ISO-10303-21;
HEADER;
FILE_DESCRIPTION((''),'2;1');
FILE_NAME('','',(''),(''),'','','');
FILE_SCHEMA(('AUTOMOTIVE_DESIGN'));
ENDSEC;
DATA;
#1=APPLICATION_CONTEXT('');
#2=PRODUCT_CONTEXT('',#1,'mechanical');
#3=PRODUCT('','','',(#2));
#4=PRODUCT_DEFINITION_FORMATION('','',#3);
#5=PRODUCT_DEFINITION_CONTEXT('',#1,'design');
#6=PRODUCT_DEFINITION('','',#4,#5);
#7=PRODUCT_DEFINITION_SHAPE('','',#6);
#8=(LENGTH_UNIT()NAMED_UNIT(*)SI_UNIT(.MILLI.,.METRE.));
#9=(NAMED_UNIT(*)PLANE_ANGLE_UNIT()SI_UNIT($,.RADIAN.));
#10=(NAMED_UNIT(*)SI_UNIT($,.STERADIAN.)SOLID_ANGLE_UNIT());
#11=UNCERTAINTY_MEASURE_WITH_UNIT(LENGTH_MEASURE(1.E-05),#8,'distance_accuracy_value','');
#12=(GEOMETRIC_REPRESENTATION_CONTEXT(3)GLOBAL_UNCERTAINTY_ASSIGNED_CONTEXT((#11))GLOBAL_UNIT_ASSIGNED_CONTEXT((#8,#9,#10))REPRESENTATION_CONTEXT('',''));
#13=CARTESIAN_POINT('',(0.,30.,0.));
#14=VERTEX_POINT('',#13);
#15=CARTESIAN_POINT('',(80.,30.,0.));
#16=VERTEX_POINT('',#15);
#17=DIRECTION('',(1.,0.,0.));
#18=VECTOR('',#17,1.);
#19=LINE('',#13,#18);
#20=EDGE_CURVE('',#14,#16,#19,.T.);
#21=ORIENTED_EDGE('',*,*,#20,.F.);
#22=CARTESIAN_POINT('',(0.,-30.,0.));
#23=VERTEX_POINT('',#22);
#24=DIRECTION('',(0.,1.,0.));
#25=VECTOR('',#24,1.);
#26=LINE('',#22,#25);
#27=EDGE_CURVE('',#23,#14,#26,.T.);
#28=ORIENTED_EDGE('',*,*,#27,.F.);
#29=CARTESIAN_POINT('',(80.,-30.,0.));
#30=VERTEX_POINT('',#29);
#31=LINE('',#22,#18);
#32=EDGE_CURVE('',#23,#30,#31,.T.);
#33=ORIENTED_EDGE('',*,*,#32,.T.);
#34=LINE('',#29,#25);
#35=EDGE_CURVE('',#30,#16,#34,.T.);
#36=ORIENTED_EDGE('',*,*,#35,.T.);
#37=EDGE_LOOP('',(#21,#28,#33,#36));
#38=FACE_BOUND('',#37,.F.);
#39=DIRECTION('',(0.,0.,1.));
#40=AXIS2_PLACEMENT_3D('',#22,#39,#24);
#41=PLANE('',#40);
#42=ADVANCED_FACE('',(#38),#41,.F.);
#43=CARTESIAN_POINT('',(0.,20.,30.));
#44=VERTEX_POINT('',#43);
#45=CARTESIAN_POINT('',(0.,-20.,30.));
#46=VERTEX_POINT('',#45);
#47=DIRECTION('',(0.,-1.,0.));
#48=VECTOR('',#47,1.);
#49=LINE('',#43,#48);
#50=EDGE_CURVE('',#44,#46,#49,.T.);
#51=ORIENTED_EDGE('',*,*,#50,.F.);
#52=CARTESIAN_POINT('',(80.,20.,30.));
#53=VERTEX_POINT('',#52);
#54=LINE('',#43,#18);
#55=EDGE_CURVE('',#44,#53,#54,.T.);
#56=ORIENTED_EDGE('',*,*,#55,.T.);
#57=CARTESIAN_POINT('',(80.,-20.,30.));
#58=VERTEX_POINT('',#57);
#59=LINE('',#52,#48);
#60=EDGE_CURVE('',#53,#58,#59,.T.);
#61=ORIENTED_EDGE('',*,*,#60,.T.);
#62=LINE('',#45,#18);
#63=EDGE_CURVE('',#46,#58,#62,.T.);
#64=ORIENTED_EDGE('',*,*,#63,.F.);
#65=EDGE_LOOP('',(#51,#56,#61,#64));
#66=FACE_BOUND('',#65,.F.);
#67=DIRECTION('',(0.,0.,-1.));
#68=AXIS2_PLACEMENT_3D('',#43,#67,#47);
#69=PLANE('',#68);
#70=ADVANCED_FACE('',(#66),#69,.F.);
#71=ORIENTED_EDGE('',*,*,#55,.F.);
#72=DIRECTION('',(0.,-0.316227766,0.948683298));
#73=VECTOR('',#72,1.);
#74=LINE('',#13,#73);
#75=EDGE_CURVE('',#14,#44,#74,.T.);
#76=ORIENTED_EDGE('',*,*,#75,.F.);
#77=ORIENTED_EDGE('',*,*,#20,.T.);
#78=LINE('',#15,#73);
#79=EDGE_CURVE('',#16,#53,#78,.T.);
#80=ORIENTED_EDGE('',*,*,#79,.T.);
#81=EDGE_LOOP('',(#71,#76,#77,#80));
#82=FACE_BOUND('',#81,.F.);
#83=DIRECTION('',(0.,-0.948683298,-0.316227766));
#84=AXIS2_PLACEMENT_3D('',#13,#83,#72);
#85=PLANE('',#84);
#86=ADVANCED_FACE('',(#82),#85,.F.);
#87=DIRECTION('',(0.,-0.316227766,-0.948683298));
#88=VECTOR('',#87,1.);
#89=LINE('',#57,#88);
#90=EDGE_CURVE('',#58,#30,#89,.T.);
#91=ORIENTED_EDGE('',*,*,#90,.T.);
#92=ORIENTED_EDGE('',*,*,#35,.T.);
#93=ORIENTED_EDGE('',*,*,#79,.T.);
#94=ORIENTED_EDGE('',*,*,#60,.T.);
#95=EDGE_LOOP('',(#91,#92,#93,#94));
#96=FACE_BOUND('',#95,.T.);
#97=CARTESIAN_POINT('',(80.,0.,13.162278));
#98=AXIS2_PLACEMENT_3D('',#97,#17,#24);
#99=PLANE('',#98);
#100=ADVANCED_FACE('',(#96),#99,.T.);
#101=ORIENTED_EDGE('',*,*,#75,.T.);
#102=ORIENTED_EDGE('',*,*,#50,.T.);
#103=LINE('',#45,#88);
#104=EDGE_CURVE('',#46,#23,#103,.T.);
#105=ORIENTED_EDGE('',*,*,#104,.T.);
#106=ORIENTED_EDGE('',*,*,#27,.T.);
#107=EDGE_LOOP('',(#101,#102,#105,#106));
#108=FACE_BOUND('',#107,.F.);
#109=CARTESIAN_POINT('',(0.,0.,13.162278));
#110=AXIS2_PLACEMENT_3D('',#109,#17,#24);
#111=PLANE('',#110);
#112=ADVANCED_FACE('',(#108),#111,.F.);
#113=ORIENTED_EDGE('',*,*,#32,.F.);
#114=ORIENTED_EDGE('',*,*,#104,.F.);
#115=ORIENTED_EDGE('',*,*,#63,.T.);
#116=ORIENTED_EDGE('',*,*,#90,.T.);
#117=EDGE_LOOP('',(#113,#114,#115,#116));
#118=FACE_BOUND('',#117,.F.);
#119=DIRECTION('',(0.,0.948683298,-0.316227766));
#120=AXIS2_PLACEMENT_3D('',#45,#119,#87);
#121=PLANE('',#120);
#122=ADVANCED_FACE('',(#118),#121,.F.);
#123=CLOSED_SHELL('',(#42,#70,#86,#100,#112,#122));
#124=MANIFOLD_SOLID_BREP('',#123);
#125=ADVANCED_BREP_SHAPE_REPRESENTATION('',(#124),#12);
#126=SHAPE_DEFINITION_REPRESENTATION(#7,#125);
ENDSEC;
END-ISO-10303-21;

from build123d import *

# Parameters (mm, degrees)
PAD_DEPTH = 80


with BuildPart() as part:
    # Sketch → Pad (new body)
    with BuildSketch(Plane.YZ):
        Polygon((-30, 0), (30, 0), (20, 30), (-20, 30), align=None)
    extrude(amount=PAD_DEPTH)


solid = part.part
